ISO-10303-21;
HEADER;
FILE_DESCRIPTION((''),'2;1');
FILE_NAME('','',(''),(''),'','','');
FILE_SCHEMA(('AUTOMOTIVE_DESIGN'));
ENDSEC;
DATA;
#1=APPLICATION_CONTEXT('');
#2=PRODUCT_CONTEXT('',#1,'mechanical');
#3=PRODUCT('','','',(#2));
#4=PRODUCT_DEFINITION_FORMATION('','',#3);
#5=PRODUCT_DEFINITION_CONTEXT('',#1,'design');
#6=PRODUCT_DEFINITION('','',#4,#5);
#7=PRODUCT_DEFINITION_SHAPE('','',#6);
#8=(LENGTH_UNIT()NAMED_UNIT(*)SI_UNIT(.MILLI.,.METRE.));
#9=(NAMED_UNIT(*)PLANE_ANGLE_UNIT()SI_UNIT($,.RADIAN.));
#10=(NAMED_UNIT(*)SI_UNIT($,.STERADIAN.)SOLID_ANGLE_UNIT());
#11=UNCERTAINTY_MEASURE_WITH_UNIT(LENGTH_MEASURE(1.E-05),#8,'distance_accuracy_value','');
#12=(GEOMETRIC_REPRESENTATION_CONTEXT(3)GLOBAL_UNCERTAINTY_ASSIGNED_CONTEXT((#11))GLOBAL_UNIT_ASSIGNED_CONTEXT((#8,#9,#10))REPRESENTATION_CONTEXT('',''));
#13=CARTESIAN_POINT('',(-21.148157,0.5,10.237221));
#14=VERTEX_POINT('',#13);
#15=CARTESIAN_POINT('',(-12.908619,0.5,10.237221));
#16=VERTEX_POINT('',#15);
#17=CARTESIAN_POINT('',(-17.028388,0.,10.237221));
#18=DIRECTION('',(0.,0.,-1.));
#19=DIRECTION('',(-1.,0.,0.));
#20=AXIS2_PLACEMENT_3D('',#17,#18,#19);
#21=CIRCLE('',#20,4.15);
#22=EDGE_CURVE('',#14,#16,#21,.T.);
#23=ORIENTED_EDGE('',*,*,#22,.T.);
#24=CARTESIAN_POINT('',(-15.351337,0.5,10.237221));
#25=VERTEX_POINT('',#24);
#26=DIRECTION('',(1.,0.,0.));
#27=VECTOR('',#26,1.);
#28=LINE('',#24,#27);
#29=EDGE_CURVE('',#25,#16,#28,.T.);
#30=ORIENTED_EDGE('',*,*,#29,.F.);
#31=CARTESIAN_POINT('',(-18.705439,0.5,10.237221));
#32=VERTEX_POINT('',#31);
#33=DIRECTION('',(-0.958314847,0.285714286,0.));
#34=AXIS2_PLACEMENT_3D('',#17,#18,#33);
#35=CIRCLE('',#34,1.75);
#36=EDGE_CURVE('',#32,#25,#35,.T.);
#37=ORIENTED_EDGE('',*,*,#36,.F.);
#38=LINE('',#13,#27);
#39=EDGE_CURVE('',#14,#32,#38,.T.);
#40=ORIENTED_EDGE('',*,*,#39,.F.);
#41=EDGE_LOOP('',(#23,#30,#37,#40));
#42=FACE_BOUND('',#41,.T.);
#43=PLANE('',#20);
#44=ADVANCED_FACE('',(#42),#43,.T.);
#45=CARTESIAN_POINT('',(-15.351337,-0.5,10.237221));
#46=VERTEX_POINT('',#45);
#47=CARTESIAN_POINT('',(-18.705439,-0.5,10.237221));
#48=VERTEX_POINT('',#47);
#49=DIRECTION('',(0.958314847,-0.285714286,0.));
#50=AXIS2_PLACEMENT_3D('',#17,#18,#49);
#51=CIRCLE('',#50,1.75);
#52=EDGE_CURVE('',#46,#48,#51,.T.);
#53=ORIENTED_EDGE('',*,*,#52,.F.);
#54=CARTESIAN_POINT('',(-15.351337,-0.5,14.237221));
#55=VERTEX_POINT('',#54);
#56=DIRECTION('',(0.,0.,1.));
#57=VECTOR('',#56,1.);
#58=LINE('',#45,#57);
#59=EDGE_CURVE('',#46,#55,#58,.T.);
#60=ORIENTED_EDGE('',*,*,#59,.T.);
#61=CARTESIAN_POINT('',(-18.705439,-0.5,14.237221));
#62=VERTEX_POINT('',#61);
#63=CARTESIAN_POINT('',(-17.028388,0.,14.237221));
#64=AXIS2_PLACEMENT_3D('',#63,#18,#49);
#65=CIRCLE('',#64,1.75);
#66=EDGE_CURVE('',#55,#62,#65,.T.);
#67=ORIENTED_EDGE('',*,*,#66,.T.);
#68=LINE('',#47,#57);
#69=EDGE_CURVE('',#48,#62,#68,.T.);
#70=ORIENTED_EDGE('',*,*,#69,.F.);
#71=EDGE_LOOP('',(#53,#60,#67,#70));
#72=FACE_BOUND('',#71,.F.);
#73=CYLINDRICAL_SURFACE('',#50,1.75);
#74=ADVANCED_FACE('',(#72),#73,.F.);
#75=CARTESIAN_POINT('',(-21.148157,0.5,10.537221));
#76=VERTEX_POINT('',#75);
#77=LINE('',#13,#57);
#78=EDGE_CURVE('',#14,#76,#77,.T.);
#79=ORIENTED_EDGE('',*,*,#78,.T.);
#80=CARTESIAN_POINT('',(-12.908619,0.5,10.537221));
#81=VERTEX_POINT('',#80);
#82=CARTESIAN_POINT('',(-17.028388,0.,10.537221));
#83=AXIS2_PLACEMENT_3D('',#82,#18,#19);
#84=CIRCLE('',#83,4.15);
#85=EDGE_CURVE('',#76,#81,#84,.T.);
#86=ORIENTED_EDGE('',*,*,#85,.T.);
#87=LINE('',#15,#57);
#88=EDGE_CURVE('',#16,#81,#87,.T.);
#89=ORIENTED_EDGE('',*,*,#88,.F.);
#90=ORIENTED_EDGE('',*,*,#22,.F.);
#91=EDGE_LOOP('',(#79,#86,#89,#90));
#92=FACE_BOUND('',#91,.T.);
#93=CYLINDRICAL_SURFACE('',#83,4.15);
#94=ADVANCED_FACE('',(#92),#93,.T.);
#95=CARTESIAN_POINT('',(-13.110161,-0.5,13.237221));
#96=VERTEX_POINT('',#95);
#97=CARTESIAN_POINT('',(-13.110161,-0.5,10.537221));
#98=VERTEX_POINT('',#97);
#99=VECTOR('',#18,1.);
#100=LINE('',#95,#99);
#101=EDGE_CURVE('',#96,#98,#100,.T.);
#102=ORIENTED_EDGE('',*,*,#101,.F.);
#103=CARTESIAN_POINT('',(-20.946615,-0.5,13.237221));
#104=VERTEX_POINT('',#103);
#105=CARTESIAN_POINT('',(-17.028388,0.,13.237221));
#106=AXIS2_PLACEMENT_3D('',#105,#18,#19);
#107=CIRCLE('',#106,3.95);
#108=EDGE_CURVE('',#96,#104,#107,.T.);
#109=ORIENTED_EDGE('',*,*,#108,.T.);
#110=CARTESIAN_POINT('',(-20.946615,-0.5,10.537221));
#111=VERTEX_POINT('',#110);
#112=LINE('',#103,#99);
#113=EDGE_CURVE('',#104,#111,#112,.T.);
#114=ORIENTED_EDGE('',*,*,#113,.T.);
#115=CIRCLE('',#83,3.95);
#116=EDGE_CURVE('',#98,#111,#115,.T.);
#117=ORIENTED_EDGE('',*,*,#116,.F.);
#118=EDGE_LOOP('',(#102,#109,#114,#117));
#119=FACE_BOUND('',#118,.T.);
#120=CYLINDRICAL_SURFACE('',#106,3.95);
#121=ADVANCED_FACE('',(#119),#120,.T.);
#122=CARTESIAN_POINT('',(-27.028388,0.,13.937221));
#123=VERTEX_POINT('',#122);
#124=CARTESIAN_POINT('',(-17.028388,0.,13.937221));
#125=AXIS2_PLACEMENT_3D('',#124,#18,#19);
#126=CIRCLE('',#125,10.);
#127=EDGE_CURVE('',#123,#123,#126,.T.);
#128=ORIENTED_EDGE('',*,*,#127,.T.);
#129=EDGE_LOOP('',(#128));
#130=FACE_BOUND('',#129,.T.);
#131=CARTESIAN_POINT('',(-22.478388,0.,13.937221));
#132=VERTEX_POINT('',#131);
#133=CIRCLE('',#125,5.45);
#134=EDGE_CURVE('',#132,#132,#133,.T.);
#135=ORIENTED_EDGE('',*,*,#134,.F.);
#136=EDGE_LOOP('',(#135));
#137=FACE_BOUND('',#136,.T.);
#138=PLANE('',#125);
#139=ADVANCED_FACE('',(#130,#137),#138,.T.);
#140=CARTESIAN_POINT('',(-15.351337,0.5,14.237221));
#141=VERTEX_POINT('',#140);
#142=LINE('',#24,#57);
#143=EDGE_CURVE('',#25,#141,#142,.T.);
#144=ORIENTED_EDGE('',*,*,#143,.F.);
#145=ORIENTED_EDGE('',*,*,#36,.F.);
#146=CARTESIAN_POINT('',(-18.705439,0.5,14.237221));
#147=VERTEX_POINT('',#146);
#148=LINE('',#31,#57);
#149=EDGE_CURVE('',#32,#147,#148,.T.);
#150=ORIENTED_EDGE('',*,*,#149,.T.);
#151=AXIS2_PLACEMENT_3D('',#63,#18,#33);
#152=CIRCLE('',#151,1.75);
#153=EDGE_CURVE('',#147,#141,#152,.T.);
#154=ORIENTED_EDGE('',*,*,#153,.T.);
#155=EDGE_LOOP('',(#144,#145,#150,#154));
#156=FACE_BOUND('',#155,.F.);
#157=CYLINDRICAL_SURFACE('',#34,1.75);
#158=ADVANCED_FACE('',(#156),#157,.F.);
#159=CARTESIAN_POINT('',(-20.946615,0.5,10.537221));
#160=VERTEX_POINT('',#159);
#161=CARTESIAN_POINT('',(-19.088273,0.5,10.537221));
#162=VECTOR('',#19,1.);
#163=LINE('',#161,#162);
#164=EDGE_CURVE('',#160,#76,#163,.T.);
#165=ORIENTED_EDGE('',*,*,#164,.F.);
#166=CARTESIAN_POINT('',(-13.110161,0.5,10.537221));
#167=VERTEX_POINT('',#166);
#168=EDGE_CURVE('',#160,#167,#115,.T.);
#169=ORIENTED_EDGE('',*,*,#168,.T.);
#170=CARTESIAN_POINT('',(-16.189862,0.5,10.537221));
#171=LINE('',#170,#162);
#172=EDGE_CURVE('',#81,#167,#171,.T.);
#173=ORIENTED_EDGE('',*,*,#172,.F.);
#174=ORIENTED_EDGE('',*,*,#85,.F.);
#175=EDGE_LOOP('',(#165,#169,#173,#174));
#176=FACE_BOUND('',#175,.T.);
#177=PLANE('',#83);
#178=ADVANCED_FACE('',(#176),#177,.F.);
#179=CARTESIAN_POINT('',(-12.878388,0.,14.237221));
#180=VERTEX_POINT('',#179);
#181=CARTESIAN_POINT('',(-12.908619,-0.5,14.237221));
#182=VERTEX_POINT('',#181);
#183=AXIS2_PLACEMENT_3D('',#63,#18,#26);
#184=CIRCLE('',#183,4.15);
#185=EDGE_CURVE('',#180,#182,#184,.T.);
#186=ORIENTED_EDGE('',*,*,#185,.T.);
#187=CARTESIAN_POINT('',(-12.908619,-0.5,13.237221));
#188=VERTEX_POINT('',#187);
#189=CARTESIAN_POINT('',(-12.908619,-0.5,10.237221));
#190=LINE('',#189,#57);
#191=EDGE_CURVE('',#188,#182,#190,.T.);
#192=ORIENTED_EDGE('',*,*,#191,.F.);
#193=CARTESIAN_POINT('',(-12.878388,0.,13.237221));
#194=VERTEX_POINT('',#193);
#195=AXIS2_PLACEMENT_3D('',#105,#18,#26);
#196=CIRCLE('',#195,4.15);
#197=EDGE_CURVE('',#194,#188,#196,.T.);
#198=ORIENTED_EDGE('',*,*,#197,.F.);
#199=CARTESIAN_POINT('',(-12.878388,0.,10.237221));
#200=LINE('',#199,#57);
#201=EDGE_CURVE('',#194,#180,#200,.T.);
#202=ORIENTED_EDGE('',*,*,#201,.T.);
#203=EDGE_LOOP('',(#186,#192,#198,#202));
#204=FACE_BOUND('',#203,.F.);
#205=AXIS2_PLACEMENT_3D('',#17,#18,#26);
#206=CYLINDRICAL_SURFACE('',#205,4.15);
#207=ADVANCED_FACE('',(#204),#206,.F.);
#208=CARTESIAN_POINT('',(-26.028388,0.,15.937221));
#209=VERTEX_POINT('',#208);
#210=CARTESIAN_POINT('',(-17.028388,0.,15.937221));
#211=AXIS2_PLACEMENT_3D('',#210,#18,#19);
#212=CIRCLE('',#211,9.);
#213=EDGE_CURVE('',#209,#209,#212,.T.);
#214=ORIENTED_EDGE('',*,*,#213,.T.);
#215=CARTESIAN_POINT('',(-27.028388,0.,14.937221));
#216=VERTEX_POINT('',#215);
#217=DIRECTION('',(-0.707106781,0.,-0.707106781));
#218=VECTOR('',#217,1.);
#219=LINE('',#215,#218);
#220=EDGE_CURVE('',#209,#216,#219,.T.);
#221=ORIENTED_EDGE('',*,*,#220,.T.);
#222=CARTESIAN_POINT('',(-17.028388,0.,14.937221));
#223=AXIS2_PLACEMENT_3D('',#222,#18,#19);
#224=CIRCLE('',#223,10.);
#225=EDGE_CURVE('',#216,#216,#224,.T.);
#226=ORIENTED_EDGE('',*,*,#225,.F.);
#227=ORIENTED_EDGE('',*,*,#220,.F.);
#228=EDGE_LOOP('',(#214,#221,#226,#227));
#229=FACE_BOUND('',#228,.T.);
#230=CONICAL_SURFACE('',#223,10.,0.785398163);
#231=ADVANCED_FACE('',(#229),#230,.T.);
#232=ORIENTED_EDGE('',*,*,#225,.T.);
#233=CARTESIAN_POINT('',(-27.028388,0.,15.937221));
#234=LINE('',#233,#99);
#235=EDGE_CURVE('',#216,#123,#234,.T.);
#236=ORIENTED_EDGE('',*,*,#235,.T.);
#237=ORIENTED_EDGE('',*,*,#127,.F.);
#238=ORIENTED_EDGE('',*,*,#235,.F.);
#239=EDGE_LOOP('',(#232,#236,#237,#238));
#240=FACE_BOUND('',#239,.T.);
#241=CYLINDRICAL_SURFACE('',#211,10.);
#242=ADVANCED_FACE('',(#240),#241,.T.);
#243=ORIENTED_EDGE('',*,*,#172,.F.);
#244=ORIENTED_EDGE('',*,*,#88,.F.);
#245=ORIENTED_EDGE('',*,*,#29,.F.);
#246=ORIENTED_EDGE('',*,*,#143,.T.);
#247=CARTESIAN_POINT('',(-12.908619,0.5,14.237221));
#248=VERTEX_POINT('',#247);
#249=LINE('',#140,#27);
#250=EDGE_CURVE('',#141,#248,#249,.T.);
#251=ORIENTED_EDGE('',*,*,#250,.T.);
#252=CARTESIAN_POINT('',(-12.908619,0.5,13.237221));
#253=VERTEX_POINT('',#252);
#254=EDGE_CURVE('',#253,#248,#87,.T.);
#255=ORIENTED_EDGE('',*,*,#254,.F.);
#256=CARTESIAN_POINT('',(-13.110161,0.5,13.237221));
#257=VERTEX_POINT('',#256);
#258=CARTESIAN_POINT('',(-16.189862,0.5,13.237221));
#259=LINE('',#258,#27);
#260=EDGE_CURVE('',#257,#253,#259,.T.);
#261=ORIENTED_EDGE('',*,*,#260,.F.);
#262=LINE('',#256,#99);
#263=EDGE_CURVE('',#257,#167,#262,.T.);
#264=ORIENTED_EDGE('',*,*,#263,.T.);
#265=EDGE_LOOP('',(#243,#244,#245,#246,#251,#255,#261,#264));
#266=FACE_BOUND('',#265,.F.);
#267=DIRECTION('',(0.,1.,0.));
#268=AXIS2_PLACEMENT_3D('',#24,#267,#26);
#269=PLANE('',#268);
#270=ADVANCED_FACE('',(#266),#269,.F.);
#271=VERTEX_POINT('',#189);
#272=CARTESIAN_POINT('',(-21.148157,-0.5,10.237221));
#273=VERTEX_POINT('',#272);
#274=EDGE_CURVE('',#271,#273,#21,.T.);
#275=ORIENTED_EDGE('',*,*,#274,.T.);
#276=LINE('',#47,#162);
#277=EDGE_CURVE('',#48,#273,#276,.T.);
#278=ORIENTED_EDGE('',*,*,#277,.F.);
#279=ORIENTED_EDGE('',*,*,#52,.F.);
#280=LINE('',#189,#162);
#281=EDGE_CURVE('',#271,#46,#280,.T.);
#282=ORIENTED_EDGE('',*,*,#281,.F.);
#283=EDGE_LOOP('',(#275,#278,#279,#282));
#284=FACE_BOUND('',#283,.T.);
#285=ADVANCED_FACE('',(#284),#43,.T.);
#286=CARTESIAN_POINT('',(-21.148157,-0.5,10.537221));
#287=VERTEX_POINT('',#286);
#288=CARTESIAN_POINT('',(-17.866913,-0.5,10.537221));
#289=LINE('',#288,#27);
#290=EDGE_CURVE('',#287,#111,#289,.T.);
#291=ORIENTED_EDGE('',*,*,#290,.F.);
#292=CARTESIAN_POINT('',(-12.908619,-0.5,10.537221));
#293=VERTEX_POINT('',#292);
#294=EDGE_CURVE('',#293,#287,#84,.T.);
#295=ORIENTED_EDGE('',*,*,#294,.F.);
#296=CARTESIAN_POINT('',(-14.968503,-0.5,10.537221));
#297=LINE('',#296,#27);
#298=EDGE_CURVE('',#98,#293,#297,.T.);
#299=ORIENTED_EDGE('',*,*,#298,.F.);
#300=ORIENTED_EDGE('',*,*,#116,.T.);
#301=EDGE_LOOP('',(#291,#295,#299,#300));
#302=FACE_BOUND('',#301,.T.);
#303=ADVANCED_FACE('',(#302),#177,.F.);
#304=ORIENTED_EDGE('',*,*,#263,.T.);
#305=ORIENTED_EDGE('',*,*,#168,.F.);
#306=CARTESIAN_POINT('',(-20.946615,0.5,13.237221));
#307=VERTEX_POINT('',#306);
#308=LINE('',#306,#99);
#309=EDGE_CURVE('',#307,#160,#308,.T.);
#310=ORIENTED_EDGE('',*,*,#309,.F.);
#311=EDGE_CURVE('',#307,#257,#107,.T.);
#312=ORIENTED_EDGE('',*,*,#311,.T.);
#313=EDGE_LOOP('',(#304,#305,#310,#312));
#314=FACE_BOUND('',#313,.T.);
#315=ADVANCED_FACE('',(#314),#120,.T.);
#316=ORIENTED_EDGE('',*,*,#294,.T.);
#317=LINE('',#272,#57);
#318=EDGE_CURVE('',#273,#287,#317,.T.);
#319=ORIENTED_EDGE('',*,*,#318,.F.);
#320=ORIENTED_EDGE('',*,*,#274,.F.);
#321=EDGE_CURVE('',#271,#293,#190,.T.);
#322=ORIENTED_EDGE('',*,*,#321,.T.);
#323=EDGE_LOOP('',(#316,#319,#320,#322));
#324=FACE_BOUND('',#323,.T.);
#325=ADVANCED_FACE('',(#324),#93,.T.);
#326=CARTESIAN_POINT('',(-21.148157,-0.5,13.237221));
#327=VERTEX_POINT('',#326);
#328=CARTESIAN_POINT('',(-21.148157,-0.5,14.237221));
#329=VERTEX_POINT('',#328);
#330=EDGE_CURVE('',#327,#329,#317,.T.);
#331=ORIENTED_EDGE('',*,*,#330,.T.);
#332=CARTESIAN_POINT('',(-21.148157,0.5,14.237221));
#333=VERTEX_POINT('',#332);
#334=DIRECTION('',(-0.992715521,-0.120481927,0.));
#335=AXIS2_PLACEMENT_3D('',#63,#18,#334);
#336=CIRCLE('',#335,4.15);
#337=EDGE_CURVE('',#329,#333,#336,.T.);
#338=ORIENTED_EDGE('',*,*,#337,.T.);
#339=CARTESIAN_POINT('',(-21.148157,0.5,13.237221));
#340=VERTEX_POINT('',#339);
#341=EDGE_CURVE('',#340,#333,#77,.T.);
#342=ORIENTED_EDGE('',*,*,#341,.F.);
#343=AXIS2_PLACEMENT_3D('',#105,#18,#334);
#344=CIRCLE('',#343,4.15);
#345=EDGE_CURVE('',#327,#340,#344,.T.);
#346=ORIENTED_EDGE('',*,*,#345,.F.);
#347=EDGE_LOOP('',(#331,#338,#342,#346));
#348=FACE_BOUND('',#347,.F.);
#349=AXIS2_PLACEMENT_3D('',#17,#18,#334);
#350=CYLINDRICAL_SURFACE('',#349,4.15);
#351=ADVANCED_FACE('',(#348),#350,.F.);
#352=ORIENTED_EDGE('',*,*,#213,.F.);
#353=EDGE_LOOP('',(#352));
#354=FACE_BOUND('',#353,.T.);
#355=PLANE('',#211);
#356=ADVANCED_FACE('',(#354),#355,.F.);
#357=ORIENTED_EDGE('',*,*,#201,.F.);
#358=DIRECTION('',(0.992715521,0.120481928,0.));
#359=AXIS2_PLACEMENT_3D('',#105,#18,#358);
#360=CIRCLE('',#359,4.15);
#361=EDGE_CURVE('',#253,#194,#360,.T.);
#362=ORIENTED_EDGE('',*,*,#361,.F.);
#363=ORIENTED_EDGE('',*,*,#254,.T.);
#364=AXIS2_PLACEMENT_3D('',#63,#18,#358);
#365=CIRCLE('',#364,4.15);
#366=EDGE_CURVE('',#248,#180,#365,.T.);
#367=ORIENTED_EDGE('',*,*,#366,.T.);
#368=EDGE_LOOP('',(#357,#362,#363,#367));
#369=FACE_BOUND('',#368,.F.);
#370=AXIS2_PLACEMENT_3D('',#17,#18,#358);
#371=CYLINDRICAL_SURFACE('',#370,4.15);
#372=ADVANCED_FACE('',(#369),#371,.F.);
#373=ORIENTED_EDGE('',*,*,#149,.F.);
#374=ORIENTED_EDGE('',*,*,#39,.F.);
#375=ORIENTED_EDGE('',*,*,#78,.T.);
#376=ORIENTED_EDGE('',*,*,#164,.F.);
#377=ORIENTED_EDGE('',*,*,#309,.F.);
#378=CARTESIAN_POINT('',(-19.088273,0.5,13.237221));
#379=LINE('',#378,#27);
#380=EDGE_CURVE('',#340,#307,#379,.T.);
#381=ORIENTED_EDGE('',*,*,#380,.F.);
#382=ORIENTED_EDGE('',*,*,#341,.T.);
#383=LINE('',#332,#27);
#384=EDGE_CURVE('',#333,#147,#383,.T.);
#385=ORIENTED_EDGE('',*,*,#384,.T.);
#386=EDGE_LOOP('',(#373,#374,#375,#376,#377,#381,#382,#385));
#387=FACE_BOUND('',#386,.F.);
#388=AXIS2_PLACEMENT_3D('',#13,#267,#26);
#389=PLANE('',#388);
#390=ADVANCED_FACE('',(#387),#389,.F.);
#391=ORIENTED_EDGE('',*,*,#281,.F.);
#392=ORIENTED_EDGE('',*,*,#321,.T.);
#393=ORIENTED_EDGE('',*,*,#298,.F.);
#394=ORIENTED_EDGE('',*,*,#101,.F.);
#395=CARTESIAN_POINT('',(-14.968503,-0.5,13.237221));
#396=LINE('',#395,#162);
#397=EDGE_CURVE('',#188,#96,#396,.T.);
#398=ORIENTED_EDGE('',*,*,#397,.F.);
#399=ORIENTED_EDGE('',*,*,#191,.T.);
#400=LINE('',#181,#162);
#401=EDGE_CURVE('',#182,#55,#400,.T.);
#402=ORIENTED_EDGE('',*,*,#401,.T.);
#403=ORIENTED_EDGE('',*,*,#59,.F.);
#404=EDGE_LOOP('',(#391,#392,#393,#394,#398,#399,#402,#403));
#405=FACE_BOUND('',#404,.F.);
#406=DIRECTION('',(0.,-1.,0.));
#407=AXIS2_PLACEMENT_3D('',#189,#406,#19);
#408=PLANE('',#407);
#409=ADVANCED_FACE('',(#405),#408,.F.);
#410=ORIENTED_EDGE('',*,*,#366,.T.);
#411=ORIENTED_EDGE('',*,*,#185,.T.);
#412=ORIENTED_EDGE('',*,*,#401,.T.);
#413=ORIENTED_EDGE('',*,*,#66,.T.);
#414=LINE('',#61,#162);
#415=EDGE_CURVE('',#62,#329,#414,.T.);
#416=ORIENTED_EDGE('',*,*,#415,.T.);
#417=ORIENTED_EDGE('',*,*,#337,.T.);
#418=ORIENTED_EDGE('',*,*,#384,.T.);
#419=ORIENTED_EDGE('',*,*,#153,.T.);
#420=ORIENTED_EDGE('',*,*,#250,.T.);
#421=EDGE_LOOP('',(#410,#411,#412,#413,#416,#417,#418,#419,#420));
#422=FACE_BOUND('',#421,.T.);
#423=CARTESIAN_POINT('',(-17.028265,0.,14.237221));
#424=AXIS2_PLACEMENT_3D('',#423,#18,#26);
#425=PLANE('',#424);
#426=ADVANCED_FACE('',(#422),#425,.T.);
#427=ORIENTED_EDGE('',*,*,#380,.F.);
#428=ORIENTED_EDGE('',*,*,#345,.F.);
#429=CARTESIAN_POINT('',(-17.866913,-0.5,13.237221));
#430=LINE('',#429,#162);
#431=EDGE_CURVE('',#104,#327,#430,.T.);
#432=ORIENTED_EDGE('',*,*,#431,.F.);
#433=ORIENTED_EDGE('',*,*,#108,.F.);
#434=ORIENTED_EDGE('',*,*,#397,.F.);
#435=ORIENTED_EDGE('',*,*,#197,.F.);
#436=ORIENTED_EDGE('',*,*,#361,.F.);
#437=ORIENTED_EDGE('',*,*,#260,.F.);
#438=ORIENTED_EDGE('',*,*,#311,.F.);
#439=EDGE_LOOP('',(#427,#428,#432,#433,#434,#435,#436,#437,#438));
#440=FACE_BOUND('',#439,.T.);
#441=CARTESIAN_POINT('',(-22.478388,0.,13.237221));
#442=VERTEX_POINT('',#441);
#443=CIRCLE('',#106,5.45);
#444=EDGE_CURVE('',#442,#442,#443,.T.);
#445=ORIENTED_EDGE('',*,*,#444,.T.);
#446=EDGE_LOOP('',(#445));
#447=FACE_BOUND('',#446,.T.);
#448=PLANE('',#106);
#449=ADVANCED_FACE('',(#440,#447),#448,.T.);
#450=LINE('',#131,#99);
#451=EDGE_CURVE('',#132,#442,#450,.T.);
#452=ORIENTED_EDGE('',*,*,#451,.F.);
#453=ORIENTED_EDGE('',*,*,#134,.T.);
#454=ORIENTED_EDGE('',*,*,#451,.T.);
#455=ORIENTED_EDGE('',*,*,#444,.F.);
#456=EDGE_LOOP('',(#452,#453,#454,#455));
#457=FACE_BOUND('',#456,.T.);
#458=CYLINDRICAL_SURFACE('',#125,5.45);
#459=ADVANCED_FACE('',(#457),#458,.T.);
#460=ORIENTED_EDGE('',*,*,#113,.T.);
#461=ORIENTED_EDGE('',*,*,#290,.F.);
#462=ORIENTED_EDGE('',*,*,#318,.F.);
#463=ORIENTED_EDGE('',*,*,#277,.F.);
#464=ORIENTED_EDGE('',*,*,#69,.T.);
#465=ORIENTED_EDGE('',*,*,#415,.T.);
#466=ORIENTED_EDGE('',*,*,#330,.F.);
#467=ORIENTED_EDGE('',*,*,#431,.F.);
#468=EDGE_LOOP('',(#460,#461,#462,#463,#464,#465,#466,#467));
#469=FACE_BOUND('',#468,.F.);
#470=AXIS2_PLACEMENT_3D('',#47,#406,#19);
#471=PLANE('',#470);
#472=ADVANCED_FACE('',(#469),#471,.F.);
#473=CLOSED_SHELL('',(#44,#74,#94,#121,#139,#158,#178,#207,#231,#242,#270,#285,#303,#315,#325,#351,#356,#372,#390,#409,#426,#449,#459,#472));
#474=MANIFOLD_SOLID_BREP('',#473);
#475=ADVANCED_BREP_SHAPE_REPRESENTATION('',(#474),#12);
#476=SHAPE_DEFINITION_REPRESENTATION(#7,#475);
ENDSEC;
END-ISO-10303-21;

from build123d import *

# Parameters (mm, degrees)
F3_DEPTH = 4
F4_SIZE  = 1


with BuildPart() as f1:
    # F0 (on Front) → F1 (revolve)
    with BuildSketch(Plane.XZ):
        Polygon((-17.0283879898, 10.2372211188), (-17.0283879898, 15.9372211188), (-27.0283879898, 15.9372211188), (-27.0283879898, 13.9372211188), (-22.4783879898, 13.9372211188), (-22.4783879898, 13.2372211188), (-20.9783879898, 13.2372211188), (-20.9783879898, 10.5372211188), (-21.1783879898, 10.5372211188), (-21.1783879898, 10.2372211188), align=None)
    revolve(axis=Axis((-17.0283879898, 0, 13.0872211188), (0, 0, -1)))

    # F2 (on face) → F3 (cut)
    with BuildSketch(Plane(origin=(0, 0, 10.2372211188), x_dir=(1, 0, 0), z_dir=(0, 0, -1))):
        with BuildLine():
            Line((-21.1481574009, -0.5), (-18.705438973, -0.5))
            ThreePointArc((-18.705438973, -0.5), (-17.0283879898, -1.75), (-15.3513370067, -0.5))
            Line((-15.3513370067, -0.5), (-12.9086185788, -0.5))
            ThreePointArc((-12.9086185788, -0.5), (-12.8859525313, -0.2504565274), (-12.8783879898, 0))
            ThreePointArc((-12.8783879898, 0), (-12.8859525313, 0.2504565274), (-12.9086185788, 0.5))
            Line((-12.9086185788, 0.5), (-15.3513370067, 0.5))
            ThreePointArc((-15.3513370067, 0.5), (-17.0283879898, 1.75), (-18.705438973, 0.5))
            Line((-18.705438973, 0.5), (-21.1481574009, 0.5))
            ThreePointArc((-21.1481574009, 0.5), (-21.1783879898, 0), (-21.1481574009, -0.5))
        make_face()
    extrude(amount=-F3_DEPTH, mode=Mode.SUBTRACT)

    # F4
    f4_edges = [f1.edges().sort_by_distance(p)[0] for p in [
        (-7.028388, 0, 15.937221),
    ]]
    chamfer(f4_edges, length=F4_SIZE)


solid = f1.part
